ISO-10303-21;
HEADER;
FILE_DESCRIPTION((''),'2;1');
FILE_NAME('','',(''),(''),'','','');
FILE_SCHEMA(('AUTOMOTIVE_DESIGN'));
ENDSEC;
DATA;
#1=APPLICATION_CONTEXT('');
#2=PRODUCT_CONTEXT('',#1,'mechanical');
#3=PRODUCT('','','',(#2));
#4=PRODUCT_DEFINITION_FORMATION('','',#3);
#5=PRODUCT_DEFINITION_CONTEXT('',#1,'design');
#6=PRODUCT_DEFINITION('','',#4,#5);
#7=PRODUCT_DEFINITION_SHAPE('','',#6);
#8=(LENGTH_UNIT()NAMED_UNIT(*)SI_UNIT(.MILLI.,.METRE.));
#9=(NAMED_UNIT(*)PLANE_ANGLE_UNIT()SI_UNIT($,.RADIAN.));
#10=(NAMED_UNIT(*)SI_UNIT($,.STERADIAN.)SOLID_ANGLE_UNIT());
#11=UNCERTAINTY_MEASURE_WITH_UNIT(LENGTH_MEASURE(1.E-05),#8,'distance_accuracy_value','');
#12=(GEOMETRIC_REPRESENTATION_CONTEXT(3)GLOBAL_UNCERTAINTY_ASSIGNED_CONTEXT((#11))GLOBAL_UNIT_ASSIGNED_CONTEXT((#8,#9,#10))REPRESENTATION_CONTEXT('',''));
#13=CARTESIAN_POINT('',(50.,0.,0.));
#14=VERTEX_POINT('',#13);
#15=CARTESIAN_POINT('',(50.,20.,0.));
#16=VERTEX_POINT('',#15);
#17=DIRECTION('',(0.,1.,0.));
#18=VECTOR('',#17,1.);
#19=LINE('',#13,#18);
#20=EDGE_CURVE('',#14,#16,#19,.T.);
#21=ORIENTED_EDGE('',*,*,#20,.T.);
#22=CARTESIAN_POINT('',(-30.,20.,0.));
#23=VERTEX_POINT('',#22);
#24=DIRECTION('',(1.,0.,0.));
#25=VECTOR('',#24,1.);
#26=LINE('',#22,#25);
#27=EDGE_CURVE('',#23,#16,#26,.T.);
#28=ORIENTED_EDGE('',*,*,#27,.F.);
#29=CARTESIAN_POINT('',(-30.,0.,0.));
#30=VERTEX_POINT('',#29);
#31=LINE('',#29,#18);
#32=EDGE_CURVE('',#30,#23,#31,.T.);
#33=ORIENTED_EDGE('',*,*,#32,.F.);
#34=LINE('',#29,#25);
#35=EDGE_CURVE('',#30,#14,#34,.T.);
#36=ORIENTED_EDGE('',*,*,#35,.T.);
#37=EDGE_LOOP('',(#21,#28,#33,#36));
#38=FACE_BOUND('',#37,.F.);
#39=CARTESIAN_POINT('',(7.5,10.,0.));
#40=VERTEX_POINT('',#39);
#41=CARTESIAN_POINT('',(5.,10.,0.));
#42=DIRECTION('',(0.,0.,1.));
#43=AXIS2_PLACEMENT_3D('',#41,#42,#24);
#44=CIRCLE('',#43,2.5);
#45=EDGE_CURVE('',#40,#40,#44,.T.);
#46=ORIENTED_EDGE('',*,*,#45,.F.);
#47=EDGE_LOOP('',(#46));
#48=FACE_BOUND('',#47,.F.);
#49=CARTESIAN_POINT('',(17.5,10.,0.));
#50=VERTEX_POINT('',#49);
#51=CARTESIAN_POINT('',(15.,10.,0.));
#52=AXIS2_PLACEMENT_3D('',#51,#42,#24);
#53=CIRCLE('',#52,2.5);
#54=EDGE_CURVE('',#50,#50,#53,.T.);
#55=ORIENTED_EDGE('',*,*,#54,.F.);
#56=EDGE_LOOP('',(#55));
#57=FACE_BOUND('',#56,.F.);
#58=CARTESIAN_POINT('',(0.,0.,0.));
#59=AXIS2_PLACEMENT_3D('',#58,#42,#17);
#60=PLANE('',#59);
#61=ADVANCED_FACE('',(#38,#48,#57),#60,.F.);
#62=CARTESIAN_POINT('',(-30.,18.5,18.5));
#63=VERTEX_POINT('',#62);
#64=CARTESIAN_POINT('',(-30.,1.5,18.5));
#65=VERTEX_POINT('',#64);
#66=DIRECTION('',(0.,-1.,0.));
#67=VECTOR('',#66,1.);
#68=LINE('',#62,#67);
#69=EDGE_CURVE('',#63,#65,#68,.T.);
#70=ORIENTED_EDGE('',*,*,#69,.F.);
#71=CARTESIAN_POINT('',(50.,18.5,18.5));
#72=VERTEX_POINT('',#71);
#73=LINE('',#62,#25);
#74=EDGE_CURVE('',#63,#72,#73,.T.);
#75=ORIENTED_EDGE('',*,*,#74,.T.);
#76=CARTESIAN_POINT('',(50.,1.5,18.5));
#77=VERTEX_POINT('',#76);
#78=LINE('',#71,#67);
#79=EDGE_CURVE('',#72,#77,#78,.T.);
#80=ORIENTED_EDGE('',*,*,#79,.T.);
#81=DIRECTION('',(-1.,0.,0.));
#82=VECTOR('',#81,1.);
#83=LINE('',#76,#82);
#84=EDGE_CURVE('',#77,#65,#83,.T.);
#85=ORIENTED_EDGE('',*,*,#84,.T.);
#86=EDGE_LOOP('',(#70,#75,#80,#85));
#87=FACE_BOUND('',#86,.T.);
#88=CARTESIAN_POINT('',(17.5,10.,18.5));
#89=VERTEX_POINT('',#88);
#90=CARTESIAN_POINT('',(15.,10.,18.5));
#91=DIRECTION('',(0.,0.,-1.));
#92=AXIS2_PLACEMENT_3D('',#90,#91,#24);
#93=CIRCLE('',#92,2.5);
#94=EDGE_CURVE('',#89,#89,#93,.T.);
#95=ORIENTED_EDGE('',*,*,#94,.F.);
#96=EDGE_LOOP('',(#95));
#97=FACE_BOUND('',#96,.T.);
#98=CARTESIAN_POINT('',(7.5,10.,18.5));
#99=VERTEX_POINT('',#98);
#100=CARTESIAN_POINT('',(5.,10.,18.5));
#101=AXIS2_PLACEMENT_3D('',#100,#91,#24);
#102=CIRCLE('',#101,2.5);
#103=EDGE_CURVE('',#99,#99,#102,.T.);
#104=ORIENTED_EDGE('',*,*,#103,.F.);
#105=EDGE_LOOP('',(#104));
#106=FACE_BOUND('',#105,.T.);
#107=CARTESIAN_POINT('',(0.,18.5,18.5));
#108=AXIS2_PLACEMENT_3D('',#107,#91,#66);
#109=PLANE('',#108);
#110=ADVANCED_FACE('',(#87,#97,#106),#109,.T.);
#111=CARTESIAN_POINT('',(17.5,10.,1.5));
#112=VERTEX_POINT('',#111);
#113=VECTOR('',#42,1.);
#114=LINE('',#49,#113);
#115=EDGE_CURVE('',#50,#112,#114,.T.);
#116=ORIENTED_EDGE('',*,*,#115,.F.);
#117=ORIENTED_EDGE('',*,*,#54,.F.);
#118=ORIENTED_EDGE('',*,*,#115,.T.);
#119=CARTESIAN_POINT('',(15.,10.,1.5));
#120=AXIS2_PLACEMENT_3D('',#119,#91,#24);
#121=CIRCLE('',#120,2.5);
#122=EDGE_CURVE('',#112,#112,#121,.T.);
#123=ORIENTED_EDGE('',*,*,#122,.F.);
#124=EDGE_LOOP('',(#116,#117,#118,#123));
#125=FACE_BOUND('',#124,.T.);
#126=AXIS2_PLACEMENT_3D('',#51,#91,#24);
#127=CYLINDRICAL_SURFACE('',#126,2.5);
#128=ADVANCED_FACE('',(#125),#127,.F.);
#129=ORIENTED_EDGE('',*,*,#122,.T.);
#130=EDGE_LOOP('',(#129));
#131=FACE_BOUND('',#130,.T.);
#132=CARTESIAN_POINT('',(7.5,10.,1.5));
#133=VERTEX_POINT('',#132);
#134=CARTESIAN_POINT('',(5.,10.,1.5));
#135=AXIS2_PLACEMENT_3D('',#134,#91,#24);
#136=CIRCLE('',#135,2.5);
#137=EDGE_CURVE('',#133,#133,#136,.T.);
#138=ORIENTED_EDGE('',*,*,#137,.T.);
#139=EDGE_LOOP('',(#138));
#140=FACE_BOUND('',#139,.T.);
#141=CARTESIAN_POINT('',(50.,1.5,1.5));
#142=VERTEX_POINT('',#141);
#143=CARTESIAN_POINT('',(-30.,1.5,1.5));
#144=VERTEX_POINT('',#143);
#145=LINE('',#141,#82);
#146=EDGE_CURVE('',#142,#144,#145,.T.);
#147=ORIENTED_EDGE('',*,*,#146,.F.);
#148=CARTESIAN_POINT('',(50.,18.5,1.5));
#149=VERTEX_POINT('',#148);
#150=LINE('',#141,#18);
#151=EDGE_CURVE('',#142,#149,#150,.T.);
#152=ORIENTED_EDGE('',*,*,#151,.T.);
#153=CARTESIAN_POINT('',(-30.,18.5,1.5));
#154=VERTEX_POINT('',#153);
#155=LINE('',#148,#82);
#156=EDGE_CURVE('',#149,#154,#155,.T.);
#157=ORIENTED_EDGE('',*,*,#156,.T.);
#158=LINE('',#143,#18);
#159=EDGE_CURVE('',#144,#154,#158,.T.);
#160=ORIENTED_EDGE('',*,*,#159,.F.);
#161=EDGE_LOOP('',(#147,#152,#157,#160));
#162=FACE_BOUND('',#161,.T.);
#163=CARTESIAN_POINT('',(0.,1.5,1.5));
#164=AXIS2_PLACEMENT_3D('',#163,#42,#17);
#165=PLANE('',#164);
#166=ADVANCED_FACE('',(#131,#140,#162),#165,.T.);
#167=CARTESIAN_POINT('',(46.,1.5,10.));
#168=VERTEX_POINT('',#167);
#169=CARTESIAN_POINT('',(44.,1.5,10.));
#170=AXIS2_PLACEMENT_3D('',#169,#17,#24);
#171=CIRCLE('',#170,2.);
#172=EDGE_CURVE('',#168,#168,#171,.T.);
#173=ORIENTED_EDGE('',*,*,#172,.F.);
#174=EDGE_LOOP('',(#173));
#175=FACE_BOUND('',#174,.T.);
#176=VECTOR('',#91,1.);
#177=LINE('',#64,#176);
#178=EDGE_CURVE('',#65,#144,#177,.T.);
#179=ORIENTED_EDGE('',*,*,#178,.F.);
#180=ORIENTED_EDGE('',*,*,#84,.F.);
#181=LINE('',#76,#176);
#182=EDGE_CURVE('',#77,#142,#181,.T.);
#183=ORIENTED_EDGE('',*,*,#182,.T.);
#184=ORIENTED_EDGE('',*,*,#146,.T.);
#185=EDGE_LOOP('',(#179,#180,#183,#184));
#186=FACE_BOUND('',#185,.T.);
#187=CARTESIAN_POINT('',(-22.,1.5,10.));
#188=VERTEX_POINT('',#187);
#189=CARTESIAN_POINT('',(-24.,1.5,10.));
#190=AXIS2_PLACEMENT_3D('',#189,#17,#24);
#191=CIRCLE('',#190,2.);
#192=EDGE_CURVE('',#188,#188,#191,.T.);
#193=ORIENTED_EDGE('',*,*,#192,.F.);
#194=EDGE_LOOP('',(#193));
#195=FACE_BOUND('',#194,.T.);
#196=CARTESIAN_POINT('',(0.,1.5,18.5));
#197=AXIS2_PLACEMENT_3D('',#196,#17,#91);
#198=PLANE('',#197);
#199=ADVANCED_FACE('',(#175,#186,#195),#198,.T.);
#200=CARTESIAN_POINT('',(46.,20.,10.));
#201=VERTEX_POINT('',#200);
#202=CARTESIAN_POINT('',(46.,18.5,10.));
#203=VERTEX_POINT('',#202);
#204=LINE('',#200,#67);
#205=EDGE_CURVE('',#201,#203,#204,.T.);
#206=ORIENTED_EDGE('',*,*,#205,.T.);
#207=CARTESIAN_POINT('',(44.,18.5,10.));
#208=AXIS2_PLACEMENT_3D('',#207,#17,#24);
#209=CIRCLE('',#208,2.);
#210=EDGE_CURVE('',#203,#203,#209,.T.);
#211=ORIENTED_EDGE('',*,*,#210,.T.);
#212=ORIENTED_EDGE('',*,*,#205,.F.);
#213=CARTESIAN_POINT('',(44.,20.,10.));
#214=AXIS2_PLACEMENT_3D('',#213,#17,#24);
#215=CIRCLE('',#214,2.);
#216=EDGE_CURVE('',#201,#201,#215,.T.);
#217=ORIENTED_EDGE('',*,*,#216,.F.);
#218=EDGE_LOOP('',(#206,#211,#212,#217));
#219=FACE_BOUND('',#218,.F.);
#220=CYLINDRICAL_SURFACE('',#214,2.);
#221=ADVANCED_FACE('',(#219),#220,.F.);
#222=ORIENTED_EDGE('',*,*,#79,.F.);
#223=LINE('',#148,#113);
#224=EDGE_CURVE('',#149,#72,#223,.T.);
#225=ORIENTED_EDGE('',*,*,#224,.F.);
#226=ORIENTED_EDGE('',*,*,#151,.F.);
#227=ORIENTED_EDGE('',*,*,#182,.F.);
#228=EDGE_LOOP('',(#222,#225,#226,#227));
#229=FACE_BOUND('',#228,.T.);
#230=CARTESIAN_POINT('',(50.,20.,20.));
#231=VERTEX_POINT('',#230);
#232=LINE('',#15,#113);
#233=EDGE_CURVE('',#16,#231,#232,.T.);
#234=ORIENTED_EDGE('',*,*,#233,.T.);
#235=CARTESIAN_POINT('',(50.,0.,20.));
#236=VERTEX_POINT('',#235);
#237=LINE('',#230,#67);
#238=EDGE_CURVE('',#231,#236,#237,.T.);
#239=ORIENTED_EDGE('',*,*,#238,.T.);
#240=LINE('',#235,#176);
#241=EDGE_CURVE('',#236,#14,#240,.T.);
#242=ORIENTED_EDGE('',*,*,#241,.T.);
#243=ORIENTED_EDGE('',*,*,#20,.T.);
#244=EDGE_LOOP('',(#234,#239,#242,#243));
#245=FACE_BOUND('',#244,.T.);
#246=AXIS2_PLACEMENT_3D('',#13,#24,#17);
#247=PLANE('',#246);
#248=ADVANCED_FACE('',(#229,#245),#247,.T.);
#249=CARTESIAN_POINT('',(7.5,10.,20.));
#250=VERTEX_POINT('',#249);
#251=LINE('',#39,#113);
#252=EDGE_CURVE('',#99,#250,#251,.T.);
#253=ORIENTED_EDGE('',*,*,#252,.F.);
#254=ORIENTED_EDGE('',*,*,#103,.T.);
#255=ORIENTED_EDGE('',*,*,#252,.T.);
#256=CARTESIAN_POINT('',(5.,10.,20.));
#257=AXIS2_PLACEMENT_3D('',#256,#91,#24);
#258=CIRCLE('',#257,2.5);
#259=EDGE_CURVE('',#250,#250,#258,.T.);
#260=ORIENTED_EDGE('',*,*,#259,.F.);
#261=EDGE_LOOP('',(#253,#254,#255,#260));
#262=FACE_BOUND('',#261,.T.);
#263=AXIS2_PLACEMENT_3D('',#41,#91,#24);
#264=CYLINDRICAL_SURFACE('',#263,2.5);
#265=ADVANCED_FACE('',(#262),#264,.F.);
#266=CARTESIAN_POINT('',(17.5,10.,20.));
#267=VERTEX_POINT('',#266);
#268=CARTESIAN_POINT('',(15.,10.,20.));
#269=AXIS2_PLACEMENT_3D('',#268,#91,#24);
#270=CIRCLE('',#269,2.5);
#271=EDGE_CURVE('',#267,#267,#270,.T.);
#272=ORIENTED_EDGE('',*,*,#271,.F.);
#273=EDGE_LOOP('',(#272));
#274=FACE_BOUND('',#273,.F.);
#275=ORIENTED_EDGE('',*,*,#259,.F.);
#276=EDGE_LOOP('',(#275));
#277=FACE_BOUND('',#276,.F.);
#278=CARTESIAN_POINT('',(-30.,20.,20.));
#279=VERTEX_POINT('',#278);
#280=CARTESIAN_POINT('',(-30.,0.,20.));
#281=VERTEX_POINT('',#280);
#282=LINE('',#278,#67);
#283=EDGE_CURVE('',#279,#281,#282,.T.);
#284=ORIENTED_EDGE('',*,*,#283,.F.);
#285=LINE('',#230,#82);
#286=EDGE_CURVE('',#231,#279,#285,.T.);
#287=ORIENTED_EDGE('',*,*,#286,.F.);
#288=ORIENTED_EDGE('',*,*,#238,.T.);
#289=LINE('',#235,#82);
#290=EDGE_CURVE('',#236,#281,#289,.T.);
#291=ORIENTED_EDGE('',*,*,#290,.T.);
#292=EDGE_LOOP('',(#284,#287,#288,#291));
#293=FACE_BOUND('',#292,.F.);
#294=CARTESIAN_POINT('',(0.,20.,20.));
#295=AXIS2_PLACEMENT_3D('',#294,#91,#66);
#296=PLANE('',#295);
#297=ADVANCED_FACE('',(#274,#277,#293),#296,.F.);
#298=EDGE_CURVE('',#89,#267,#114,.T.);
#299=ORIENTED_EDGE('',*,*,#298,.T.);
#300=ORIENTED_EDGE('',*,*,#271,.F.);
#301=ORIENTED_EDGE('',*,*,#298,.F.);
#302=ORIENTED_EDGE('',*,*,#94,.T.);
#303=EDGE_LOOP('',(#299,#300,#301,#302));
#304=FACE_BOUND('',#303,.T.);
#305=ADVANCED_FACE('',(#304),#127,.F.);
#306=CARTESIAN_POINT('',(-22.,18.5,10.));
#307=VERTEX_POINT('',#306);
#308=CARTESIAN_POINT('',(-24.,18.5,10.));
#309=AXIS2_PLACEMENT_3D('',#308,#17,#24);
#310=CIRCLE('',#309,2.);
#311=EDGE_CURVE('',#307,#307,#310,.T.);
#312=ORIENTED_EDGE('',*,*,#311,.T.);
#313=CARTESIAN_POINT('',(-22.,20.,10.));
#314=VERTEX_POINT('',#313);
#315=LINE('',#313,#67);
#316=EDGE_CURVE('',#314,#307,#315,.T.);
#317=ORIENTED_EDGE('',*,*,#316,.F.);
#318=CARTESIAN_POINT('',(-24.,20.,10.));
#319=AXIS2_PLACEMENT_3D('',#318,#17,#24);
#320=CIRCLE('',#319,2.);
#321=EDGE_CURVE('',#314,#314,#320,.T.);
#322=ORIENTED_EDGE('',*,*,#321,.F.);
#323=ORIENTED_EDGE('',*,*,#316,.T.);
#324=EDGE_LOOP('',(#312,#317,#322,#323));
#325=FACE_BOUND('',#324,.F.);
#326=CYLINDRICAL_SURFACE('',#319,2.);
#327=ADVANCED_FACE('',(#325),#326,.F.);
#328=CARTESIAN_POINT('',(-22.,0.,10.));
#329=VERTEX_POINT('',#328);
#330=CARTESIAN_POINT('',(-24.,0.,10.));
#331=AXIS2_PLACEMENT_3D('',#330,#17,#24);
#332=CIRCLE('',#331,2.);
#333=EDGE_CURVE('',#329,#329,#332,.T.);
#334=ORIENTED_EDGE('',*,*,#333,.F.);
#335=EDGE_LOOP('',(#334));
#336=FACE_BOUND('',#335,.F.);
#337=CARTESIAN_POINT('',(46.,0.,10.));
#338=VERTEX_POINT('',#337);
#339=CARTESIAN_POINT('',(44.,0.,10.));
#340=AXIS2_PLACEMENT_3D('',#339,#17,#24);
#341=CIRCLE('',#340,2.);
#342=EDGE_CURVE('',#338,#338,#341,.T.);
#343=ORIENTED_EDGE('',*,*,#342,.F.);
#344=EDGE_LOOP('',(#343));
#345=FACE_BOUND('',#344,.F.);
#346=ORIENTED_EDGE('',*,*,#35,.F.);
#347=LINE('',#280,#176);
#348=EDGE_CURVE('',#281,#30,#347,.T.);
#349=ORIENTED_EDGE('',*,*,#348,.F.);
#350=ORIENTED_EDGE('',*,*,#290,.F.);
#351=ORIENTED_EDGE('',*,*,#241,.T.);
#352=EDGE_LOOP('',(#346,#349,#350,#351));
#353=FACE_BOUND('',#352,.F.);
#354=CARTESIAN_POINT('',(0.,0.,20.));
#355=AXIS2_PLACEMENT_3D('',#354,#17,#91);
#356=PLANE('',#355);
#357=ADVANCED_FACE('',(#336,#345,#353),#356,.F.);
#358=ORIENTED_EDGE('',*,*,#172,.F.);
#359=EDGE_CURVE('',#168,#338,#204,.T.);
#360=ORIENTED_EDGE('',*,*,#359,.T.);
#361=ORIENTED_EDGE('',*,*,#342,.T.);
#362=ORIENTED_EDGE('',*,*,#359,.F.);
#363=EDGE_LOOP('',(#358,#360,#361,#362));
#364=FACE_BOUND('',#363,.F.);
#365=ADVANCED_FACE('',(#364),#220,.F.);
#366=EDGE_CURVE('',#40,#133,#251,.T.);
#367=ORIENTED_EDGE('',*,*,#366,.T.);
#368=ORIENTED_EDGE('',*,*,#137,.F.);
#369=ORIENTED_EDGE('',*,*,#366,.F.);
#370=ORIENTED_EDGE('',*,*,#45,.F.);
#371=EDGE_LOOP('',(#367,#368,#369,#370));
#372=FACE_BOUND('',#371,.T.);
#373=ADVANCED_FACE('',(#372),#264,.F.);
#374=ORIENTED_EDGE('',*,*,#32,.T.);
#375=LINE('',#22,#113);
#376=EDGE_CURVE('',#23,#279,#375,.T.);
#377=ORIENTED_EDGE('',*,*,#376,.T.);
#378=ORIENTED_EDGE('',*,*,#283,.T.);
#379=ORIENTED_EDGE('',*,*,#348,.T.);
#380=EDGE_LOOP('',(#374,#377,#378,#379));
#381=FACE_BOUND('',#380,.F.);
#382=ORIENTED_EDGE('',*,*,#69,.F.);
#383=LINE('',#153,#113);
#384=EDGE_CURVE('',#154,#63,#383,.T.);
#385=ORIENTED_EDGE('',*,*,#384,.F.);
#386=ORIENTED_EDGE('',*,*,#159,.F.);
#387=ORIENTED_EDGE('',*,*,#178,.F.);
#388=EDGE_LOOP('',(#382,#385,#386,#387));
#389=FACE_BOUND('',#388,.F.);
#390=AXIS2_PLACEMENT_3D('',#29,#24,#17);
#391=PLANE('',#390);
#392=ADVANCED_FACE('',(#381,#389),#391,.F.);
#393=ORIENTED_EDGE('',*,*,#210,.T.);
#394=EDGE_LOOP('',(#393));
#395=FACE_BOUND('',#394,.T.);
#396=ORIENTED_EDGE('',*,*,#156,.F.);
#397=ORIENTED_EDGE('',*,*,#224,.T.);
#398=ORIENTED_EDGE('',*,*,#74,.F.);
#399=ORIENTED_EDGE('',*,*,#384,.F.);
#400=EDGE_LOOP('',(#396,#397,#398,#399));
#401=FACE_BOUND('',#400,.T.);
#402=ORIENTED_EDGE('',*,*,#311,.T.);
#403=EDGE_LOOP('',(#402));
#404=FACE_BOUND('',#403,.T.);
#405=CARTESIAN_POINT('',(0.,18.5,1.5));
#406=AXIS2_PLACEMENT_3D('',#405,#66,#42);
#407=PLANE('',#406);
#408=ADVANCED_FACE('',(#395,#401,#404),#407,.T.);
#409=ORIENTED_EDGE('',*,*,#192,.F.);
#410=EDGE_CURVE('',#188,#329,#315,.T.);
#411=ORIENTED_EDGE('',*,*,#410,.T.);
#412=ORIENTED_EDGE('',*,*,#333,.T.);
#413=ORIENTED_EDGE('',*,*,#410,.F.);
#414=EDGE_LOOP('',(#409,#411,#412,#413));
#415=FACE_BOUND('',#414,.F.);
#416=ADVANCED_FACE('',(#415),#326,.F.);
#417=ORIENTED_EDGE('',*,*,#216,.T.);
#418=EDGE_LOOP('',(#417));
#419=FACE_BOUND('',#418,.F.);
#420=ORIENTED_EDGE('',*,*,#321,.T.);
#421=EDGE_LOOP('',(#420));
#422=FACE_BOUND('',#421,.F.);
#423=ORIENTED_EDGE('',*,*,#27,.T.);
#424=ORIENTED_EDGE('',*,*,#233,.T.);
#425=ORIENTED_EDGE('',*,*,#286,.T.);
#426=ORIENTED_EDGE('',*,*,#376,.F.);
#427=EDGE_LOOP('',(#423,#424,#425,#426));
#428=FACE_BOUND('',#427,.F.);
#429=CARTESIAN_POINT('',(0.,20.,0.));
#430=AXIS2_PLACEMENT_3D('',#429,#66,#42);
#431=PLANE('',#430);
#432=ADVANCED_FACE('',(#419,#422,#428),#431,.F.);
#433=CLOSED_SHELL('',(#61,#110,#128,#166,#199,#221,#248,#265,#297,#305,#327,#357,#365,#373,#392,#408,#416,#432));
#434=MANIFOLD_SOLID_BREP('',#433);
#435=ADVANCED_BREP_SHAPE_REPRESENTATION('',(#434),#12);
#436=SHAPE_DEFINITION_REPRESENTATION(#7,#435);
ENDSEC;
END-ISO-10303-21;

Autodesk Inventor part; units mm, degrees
ref_plane "YZ Plane" through (0, 0, 0) normal (1, 0, 0) x (0, 1, 0)
ref_plane "XZ Plane" through (0, 0, 0) normal (0, 1, 0) x (-1, 0, 0)
ref_plane "XY Plane" through (0, 0, 0) normal (0, 0, 1) x (1, 0, 0)
sketch "Эскиз3" plane through (0, 0, 0) normal (1, 0, 0) x (0, 1, 0)
  line L0 (0, 0) -> (20, 0)
  line L1 (20, 0) -> (20, 20)
  line L2 (20, 20) -> (0, 20)
  line L3 (0, 20) -> (0, 0)
  line L4 (18.5, 18.5) -> (1.5, 18.5)
  line L5 (1.5, 18.5) -> (1.5, 1.5)
  line L6 (1.5, 1.5) -> (18.5, 1.5)
  line L7 (18.5, 1.5) -> (18.5, 18.5)
  point P0 (10, 18.5)
  point P1 (10, 20)
  point P2 (1.5, 10)
  point P3 (0, 10)
  dimension "d2" = 20
  dimension "d3" = 1.5
extrude "Выдавливание1" add sketch "Эскиз3" along normal blind 50 and the other way blind 30
sketch "Эскиз1" plane through (0, 0, 0) normal (0, 0, 1) x (1, 0, 0)
  circle A0 centre (15, 10) radius 2.5 projected
  circle A1 centre (5, 10) radius 2.5 projected
  point P0 (0, 0)
extrude "Выдавливание2" cut sketch "Эскиз1" along normal through all
sketch "Эскиз4" plane through (-30, 20, 20) normal (0, 1, 0) x (1, 0, 0)
  circle A0 centre (6, 10) radius 2
  circle A1 centre (74, 10) radius 2
  line L0 (80, 20) -> (80, 0) construction
  line L1 (80, 20) -> (0, 20) construction
  line L2 (0, 0) -> (0, 20) construction
  point P0 (30, 20)
  point P1 (80, 10)
  dimension "d10" = 4
  dimension "d11" = 6
  dimension "d12" = 6
extrude "Выдавливание3" cut sketch "Эскиз4" against normal through all
properties part number "2" material "Алюминий 6061"
